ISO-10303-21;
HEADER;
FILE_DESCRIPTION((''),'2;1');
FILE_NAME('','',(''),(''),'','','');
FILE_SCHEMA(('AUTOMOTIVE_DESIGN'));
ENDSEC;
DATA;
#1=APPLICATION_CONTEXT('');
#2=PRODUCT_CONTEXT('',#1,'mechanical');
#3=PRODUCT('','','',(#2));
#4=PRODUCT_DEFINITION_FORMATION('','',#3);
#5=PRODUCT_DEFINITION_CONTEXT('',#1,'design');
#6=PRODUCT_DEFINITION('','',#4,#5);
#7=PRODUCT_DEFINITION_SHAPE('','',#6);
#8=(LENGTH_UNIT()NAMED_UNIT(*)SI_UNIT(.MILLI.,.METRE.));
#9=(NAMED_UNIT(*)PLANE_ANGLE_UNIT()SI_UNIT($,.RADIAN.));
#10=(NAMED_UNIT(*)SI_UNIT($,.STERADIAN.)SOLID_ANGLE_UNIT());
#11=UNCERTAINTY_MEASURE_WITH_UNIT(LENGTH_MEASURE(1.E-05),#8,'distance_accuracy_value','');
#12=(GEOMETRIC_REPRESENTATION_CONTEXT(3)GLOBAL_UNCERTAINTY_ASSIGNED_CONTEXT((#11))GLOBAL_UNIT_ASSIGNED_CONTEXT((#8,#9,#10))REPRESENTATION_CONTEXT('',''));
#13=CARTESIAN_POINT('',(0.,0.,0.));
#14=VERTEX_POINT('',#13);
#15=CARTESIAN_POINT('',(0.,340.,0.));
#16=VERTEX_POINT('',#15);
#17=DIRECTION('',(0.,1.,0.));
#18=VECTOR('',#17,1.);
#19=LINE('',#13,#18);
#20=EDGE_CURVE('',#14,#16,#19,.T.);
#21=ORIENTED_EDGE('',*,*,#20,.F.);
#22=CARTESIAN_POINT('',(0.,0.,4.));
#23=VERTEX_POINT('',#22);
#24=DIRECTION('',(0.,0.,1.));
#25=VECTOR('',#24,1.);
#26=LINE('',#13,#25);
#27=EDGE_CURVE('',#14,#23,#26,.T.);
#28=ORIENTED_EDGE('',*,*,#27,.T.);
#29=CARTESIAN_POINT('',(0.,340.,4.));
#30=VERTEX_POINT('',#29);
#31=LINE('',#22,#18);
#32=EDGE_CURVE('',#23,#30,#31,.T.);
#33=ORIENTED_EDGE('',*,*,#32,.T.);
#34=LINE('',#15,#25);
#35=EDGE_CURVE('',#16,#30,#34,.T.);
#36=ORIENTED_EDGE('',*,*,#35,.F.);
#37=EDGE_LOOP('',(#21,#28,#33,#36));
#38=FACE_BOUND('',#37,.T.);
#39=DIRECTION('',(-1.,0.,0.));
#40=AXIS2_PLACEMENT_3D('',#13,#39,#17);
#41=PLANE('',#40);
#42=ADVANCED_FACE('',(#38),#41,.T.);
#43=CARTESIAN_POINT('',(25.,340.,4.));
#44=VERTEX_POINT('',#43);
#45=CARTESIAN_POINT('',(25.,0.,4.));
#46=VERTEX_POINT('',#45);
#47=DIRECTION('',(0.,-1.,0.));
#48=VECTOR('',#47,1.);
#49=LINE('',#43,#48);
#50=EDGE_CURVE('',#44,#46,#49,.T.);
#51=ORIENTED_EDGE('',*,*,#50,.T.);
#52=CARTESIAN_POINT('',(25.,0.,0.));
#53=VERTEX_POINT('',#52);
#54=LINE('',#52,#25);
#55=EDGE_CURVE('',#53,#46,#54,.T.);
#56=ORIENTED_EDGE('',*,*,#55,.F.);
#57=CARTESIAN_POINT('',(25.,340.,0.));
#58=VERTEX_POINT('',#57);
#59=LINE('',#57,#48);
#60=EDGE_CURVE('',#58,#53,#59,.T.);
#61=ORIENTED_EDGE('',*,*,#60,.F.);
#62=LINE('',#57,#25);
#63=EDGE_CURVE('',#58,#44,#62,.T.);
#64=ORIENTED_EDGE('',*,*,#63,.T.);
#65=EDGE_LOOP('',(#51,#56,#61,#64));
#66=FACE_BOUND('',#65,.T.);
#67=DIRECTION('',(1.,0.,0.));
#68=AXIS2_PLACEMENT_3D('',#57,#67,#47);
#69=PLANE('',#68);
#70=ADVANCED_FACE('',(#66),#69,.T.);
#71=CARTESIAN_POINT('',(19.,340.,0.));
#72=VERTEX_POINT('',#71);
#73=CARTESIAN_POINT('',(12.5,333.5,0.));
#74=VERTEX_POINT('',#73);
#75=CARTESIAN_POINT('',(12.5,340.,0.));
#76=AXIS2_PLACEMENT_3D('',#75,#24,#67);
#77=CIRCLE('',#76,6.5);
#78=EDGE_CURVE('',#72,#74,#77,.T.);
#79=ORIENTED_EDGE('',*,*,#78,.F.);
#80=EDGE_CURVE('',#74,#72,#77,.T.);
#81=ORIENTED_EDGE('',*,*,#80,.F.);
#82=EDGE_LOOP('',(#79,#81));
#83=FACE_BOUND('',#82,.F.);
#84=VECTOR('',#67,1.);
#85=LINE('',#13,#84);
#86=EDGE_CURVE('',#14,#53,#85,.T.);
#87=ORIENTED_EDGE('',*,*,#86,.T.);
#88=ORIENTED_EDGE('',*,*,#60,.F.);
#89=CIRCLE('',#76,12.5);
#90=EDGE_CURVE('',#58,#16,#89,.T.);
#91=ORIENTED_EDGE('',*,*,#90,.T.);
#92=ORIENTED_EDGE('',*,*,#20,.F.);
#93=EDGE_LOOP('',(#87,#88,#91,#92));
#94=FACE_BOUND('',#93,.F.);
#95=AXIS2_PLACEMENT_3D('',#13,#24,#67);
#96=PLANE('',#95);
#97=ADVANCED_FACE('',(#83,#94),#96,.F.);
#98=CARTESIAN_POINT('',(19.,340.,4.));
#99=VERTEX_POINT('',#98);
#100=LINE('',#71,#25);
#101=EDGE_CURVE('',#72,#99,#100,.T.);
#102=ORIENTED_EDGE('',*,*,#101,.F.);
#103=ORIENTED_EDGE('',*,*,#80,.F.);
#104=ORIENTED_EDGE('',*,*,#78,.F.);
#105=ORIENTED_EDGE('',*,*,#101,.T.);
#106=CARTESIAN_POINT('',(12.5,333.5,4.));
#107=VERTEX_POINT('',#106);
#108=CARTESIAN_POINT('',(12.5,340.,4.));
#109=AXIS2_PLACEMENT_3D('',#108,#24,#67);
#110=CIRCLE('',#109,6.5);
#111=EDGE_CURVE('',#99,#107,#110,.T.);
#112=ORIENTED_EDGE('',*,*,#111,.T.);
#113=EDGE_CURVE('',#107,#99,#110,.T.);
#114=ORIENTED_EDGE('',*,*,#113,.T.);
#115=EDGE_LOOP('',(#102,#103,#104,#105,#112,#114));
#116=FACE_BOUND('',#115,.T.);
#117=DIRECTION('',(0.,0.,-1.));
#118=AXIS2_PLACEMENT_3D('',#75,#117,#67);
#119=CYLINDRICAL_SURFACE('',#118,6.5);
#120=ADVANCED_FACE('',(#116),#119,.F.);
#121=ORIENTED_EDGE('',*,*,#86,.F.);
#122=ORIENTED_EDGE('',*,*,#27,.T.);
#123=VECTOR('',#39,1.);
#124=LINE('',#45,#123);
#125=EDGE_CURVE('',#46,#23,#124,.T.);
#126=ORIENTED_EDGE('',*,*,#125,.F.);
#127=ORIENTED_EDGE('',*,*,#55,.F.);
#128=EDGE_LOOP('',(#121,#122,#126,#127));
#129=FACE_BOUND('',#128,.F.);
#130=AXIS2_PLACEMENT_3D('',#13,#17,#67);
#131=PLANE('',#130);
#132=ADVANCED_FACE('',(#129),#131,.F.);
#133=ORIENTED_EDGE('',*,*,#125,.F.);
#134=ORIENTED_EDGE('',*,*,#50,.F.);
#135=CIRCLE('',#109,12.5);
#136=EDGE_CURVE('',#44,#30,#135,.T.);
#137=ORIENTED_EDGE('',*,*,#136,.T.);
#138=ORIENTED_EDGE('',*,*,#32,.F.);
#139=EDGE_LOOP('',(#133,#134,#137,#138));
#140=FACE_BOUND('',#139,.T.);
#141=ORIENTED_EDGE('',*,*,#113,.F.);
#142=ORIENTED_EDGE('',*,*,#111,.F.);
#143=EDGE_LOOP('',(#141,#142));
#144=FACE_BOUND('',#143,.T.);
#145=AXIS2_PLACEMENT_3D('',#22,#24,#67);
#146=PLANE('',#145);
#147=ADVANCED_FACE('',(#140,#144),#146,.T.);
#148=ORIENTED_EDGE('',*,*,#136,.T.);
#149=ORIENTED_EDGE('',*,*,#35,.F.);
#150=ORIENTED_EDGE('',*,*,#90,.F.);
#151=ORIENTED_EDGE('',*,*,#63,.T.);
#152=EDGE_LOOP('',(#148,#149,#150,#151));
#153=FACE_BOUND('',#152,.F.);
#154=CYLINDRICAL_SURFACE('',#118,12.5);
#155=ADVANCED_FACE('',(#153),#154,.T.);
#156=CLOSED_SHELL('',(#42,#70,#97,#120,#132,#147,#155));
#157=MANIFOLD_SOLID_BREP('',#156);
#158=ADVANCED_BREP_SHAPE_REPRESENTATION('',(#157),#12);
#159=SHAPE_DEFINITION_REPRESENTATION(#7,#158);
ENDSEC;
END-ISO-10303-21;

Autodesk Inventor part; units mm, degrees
ref_plane "YZ Plane" through (0, 0, 0) normal (1, 0, 0) x (0, 1, 0)
ref_plane "XZ Plane" through (0, 0, 0) normal (0, 1, 0) x (-1, 0, 0)
ref_plane "XY Plane" through (0, 0, 0) normal (0, 0, 1) x (1, 0, 0)
sketch "Boceto1" plane through (0, 0, 0) normal (0, 0, 1) x (1, 0, 0)
  line L0 (0, 0) -> (25, 0)
  line L1 (12.5, 0) -> (12.5, 340)
  circle A0 centre (12.5, 340) radius 6.5
  circle A1 centre (12.5, 340) radius 12.5
  line L2 (25, 340) -> (25, 0)
  line L3 (0, 0) -> (0, 340)
  dimension "d0" = 25
  dimension "d8" = 340
  dimension "d9" = 13
  dimension "d10" = 25
extrude "Extrusión2" add sketch "Boceto1" along normal blind 4
properties part number "columna01" material "Madera (abedul)"
